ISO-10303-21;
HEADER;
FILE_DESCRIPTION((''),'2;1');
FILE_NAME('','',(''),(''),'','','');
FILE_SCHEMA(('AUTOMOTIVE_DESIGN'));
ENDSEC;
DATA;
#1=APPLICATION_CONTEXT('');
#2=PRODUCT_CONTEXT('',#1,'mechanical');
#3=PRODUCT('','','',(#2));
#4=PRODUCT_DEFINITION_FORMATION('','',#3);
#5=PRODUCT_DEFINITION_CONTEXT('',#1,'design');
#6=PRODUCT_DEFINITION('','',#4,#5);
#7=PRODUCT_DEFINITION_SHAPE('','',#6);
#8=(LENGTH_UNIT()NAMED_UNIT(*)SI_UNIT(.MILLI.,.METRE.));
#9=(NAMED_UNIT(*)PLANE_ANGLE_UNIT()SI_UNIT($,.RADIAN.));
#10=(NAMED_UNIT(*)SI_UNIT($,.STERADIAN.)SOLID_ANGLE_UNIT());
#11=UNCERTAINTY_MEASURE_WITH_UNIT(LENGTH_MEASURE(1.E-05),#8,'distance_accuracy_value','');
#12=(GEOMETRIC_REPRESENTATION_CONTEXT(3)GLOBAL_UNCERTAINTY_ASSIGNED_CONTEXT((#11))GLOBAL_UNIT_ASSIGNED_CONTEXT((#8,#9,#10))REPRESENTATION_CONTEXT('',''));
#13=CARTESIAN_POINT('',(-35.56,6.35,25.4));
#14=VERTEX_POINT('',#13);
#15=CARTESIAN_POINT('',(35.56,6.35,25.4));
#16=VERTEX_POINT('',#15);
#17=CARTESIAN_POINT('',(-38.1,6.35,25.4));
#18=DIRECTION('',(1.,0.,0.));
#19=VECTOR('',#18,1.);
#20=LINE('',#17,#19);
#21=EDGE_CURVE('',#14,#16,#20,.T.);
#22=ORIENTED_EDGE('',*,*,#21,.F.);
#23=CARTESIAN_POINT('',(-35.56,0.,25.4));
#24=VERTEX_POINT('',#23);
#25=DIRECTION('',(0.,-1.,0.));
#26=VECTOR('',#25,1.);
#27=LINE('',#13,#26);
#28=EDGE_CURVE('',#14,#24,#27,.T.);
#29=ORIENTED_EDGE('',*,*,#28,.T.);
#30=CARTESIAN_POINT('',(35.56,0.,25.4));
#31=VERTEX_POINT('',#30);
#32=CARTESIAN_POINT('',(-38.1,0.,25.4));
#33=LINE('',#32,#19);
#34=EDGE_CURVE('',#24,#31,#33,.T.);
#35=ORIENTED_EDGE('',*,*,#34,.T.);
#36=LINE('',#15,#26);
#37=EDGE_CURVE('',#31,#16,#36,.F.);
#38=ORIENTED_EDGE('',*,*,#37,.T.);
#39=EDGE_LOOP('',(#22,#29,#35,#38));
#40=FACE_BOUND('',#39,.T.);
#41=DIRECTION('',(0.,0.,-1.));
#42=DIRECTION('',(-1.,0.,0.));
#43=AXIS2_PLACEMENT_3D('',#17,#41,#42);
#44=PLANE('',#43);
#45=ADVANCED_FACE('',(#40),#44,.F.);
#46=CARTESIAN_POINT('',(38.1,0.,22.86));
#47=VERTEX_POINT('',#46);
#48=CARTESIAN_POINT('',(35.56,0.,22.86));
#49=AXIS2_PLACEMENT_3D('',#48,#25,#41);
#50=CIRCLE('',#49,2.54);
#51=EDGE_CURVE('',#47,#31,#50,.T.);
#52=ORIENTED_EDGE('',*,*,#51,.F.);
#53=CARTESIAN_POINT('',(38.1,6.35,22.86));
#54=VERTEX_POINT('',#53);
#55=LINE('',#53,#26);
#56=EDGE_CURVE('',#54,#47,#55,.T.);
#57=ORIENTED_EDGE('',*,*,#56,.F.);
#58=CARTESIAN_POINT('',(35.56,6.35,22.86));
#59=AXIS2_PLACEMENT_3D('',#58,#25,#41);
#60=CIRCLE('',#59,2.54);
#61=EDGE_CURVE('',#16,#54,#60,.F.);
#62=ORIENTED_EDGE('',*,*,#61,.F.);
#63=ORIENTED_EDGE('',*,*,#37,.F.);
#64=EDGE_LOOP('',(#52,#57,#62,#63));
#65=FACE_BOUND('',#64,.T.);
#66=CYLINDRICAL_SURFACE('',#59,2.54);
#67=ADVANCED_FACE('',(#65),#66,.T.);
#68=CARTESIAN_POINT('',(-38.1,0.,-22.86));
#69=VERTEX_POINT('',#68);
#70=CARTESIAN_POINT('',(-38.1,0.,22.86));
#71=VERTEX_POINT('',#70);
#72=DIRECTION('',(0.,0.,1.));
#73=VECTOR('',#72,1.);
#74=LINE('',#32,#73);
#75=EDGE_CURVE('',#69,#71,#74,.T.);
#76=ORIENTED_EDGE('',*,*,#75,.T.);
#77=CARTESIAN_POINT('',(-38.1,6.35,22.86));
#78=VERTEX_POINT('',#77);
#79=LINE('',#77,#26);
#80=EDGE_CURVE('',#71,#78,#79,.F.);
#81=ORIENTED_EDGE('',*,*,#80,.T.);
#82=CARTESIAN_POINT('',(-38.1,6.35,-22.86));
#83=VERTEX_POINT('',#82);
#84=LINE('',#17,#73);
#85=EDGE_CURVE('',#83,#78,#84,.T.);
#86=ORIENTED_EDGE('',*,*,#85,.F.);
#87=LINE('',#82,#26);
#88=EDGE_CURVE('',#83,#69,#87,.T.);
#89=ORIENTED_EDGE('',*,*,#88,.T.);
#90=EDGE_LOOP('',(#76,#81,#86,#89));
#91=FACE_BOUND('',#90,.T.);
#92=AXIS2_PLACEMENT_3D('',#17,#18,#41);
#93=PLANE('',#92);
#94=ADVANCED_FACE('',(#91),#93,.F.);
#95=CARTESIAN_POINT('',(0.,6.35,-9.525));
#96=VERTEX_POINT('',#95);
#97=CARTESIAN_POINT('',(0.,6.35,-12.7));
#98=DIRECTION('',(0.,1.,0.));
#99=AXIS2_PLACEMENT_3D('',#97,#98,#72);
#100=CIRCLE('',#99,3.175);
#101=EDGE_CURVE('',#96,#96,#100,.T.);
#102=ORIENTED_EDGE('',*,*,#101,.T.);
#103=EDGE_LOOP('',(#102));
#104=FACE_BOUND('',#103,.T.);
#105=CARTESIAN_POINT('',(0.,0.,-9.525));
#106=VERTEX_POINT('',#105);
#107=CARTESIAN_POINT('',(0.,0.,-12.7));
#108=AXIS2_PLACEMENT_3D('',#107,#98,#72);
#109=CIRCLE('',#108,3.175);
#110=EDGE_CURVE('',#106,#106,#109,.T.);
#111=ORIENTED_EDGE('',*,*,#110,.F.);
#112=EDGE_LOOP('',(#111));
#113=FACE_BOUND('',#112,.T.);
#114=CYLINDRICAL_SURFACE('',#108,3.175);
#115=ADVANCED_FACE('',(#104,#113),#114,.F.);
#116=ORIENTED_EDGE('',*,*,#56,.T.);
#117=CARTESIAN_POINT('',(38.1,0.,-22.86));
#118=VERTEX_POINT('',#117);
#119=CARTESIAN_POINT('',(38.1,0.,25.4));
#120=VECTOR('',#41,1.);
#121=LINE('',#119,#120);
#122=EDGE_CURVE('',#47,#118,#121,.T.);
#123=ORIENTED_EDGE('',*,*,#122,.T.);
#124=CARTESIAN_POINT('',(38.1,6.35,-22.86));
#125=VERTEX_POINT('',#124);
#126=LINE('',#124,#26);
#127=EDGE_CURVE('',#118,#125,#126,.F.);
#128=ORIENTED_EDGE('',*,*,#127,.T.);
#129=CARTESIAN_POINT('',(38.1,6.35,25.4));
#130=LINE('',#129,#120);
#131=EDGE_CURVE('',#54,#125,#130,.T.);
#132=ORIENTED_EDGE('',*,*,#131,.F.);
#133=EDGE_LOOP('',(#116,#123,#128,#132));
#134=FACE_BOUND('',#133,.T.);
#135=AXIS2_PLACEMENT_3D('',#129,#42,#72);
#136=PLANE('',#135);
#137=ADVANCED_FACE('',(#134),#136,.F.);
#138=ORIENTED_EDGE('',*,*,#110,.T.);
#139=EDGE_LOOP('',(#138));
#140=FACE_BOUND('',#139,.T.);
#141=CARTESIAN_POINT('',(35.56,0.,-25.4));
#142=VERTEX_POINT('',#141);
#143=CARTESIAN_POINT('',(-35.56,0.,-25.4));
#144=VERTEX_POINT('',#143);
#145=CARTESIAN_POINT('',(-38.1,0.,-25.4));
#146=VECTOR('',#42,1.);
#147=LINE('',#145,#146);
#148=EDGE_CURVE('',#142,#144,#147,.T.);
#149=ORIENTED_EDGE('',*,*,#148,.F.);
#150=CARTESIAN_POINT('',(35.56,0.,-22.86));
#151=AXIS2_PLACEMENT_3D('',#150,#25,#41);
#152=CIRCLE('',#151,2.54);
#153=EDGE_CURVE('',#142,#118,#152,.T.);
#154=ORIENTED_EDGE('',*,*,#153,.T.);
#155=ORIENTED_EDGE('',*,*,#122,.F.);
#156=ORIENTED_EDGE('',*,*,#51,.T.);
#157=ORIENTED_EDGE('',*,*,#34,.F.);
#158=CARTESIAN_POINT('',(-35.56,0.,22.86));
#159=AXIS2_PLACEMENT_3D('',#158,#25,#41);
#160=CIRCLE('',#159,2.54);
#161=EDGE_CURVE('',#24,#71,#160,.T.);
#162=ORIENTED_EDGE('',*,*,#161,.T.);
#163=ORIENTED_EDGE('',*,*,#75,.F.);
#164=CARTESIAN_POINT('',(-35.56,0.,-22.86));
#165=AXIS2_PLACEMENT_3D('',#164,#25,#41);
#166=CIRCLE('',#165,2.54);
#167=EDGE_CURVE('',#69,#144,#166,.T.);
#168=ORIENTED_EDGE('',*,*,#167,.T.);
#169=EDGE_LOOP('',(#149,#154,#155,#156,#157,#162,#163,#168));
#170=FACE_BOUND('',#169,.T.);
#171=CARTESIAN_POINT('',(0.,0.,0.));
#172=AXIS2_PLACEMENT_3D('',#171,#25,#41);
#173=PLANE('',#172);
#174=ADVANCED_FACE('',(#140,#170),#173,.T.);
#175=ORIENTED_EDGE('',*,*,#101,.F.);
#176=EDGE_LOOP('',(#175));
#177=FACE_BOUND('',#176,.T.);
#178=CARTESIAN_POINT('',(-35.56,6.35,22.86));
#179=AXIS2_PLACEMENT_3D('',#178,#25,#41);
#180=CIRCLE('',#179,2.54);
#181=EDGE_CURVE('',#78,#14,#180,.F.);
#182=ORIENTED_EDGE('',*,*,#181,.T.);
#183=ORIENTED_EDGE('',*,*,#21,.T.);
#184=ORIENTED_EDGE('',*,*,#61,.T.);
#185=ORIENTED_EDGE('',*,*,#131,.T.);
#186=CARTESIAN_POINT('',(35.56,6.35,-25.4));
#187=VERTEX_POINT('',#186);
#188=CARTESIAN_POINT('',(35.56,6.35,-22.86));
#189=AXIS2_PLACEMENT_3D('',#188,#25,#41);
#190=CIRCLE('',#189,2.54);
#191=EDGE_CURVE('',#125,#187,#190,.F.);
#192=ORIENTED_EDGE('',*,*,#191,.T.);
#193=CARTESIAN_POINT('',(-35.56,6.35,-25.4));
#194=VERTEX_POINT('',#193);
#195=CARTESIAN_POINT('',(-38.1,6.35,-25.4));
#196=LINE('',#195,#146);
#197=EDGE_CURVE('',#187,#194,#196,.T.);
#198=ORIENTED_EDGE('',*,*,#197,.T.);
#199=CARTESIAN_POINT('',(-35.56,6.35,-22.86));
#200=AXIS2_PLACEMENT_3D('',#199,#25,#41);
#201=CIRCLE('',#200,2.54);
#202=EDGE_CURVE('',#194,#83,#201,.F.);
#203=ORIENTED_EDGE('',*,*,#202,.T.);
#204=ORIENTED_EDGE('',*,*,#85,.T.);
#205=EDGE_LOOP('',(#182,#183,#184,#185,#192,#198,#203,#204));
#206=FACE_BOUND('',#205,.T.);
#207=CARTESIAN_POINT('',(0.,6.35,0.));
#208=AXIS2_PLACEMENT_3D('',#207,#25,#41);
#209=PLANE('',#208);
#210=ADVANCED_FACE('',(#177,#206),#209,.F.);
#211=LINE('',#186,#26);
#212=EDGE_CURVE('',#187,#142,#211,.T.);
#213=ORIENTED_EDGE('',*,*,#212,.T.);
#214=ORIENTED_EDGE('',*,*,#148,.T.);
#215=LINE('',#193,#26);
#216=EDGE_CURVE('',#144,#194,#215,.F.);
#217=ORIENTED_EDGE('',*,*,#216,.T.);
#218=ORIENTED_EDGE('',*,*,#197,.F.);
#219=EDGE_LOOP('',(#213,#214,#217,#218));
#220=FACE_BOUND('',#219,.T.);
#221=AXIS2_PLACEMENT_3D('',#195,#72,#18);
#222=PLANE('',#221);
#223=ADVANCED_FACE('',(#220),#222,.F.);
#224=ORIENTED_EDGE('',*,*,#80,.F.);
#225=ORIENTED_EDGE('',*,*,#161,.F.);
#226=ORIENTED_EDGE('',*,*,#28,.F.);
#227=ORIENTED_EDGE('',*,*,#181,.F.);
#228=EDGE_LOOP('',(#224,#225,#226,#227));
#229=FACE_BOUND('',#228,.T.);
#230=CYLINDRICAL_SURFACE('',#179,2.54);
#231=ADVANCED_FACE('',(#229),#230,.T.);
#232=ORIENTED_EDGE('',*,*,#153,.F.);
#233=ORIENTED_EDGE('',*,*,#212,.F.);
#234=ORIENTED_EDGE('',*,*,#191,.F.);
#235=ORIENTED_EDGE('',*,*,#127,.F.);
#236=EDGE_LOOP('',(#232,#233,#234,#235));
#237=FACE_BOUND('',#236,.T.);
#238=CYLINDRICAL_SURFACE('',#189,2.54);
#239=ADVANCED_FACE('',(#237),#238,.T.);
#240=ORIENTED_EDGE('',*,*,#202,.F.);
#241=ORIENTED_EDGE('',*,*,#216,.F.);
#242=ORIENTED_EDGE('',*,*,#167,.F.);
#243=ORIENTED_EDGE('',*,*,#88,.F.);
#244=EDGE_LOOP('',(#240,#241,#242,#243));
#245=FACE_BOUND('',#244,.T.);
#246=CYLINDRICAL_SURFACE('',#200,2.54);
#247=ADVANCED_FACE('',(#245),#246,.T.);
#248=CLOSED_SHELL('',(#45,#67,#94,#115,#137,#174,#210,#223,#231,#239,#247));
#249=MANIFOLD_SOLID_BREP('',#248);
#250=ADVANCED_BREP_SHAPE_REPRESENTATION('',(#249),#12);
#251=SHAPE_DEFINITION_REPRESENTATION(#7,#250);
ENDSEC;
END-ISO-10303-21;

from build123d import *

# Parameters (mm, degrees)
SKETCH1_W           = 76.2
SKETCH1_H           = 50.8
BOSS_EXTRUDE1_DEPTH = 6.35
FILLET1_R           = 2.54
SKETCH2_R           = 3.175
CUT_EXTRUDE1_DEPTH  = 6.35


with BuildPart() as part:
    # Sketch1 → Boss-Extrude1 (new body)
    with BuildSketch(Plane(origin=(0, 0, 0), x_dir=(1, 0, 0), z_dir=(0, 1, 0))):
        Rectangle(SKETCH1_W, SKETCH1_H)
    extrude(amount=BOSS_EXTRUDE1_DEPTH)

    # Fillet1
    fillet1_edges = [part.edges().sort_by_distance(p)[0] for p in [
        (38.1, 3.175, 25.4),
        (-38.1, 3.175, 25.4),
        (-38.1, 3.175, -25.4),
        (38.1, 3.175, -25.4),
    ]]
    fillet(fillet1_edges, radius=FILLET1_R)

    # Sketch2 → Cut-Extrude1 (cut)
    with BuildSketch(Plane(origin=(0, 6.35, 0), x_dir=(1, 0, 0), z_dir=(0, 1, 0))):
        with Locations(Location((0, 12.7, 0), (0, 0, 270))):
            Circle(SKETCH2_R)
    extrude(amount=-CUT_EXTRUDE1_DEPTH, mode=Mode.SUBTRACT)


solid = part.part
